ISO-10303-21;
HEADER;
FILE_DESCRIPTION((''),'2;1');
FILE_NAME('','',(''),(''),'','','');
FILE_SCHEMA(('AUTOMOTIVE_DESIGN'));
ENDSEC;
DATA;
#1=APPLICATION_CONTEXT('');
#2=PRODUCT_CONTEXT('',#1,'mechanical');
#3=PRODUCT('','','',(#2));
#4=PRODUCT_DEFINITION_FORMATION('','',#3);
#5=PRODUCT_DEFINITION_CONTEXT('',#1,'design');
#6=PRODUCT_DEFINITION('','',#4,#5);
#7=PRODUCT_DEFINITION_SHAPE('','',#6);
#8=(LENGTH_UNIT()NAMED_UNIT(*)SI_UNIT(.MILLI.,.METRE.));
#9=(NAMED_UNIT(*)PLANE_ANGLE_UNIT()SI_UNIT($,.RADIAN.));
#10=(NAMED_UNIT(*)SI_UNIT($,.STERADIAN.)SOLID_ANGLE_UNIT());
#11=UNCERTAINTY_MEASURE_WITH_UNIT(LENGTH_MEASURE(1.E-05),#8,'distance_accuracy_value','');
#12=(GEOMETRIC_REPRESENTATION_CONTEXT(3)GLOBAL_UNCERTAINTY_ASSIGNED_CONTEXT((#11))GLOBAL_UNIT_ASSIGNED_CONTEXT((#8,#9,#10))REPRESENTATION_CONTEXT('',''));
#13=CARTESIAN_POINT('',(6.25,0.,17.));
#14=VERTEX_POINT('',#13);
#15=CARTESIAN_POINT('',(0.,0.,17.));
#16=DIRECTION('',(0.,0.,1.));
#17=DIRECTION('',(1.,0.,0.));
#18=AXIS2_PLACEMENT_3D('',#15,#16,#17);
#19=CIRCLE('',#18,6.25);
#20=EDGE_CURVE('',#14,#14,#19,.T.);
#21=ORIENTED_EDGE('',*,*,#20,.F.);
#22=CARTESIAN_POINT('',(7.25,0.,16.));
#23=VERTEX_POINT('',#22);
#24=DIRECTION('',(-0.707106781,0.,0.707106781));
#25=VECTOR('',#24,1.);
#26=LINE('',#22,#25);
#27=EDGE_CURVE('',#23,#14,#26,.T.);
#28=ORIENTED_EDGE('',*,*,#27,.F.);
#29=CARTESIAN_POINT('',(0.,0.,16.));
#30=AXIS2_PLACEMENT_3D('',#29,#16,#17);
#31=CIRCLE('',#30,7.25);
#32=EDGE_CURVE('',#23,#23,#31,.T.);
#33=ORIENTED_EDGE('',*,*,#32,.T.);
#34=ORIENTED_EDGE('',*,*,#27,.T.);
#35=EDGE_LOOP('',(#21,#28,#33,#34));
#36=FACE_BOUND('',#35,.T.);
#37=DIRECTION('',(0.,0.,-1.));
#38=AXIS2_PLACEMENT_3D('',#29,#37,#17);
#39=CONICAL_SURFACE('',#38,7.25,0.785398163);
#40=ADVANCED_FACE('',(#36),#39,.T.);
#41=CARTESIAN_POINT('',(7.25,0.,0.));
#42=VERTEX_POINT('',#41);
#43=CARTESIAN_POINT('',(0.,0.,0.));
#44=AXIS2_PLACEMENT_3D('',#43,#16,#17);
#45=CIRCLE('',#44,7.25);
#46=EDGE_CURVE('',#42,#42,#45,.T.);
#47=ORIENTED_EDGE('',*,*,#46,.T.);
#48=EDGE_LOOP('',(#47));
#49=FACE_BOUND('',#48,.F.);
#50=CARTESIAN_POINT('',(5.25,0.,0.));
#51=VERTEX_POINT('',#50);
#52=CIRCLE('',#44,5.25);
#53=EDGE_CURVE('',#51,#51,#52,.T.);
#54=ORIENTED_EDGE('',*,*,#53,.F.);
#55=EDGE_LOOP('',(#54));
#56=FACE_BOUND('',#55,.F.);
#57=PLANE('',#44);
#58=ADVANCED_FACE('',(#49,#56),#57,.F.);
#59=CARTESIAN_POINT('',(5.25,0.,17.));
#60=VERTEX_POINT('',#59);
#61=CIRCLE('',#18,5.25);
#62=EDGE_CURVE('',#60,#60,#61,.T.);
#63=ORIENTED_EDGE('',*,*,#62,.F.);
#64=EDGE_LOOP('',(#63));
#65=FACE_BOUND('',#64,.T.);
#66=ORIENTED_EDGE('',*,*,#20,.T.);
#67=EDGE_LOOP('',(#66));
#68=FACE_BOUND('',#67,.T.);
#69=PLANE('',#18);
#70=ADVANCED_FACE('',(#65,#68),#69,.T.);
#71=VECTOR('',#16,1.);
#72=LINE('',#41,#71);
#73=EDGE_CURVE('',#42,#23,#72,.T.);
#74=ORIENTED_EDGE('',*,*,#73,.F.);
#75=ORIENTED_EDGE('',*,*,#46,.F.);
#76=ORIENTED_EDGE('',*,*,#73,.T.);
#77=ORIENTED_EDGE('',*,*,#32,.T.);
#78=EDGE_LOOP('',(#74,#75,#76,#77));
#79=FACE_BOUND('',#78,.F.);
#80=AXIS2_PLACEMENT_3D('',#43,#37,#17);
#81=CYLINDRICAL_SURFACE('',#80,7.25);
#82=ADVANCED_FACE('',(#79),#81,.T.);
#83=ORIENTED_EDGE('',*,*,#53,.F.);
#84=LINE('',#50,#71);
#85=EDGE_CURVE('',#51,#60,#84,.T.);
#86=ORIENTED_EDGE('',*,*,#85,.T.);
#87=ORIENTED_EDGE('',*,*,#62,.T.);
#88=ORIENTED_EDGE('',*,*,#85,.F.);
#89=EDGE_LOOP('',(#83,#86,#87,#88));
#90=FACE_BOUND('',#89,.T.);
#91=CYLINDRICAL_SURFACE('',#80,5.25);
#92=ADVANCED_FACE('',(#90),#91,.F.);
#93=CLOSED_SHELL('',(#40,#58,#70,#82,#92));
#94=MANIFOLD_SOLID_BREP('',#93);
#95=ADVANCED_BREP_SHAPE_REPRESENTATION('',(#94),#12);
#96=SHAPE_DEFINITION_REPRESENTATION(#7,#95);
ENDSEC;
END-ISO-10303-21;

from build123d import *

# Parameters (mm, degrees)
SKETCH_R     = 7.25
SKETCH_R_2   = 5.25
PAD_DEPTH    = 17
CHAMFER_SIZE = 1


with BuildPart() as part:
    # Sketch → Pad (new body)
    with BuildSketch(Plane.XY):
        Circle(SKETCH_R)
        Circle(SKETCH_R_2, mode=Mode.SUBTRACT)
    extrude(amount=PAD_DEPTH)

    # Chamfer
    chamfer_edges = [part.edges().sort_by_distance(p)[0] for p in [
        (-7.25, 0, 17),
    ]]
    chamfer(chamfer_edges, length=CHAMFER_SIZE)


solid = part.part
